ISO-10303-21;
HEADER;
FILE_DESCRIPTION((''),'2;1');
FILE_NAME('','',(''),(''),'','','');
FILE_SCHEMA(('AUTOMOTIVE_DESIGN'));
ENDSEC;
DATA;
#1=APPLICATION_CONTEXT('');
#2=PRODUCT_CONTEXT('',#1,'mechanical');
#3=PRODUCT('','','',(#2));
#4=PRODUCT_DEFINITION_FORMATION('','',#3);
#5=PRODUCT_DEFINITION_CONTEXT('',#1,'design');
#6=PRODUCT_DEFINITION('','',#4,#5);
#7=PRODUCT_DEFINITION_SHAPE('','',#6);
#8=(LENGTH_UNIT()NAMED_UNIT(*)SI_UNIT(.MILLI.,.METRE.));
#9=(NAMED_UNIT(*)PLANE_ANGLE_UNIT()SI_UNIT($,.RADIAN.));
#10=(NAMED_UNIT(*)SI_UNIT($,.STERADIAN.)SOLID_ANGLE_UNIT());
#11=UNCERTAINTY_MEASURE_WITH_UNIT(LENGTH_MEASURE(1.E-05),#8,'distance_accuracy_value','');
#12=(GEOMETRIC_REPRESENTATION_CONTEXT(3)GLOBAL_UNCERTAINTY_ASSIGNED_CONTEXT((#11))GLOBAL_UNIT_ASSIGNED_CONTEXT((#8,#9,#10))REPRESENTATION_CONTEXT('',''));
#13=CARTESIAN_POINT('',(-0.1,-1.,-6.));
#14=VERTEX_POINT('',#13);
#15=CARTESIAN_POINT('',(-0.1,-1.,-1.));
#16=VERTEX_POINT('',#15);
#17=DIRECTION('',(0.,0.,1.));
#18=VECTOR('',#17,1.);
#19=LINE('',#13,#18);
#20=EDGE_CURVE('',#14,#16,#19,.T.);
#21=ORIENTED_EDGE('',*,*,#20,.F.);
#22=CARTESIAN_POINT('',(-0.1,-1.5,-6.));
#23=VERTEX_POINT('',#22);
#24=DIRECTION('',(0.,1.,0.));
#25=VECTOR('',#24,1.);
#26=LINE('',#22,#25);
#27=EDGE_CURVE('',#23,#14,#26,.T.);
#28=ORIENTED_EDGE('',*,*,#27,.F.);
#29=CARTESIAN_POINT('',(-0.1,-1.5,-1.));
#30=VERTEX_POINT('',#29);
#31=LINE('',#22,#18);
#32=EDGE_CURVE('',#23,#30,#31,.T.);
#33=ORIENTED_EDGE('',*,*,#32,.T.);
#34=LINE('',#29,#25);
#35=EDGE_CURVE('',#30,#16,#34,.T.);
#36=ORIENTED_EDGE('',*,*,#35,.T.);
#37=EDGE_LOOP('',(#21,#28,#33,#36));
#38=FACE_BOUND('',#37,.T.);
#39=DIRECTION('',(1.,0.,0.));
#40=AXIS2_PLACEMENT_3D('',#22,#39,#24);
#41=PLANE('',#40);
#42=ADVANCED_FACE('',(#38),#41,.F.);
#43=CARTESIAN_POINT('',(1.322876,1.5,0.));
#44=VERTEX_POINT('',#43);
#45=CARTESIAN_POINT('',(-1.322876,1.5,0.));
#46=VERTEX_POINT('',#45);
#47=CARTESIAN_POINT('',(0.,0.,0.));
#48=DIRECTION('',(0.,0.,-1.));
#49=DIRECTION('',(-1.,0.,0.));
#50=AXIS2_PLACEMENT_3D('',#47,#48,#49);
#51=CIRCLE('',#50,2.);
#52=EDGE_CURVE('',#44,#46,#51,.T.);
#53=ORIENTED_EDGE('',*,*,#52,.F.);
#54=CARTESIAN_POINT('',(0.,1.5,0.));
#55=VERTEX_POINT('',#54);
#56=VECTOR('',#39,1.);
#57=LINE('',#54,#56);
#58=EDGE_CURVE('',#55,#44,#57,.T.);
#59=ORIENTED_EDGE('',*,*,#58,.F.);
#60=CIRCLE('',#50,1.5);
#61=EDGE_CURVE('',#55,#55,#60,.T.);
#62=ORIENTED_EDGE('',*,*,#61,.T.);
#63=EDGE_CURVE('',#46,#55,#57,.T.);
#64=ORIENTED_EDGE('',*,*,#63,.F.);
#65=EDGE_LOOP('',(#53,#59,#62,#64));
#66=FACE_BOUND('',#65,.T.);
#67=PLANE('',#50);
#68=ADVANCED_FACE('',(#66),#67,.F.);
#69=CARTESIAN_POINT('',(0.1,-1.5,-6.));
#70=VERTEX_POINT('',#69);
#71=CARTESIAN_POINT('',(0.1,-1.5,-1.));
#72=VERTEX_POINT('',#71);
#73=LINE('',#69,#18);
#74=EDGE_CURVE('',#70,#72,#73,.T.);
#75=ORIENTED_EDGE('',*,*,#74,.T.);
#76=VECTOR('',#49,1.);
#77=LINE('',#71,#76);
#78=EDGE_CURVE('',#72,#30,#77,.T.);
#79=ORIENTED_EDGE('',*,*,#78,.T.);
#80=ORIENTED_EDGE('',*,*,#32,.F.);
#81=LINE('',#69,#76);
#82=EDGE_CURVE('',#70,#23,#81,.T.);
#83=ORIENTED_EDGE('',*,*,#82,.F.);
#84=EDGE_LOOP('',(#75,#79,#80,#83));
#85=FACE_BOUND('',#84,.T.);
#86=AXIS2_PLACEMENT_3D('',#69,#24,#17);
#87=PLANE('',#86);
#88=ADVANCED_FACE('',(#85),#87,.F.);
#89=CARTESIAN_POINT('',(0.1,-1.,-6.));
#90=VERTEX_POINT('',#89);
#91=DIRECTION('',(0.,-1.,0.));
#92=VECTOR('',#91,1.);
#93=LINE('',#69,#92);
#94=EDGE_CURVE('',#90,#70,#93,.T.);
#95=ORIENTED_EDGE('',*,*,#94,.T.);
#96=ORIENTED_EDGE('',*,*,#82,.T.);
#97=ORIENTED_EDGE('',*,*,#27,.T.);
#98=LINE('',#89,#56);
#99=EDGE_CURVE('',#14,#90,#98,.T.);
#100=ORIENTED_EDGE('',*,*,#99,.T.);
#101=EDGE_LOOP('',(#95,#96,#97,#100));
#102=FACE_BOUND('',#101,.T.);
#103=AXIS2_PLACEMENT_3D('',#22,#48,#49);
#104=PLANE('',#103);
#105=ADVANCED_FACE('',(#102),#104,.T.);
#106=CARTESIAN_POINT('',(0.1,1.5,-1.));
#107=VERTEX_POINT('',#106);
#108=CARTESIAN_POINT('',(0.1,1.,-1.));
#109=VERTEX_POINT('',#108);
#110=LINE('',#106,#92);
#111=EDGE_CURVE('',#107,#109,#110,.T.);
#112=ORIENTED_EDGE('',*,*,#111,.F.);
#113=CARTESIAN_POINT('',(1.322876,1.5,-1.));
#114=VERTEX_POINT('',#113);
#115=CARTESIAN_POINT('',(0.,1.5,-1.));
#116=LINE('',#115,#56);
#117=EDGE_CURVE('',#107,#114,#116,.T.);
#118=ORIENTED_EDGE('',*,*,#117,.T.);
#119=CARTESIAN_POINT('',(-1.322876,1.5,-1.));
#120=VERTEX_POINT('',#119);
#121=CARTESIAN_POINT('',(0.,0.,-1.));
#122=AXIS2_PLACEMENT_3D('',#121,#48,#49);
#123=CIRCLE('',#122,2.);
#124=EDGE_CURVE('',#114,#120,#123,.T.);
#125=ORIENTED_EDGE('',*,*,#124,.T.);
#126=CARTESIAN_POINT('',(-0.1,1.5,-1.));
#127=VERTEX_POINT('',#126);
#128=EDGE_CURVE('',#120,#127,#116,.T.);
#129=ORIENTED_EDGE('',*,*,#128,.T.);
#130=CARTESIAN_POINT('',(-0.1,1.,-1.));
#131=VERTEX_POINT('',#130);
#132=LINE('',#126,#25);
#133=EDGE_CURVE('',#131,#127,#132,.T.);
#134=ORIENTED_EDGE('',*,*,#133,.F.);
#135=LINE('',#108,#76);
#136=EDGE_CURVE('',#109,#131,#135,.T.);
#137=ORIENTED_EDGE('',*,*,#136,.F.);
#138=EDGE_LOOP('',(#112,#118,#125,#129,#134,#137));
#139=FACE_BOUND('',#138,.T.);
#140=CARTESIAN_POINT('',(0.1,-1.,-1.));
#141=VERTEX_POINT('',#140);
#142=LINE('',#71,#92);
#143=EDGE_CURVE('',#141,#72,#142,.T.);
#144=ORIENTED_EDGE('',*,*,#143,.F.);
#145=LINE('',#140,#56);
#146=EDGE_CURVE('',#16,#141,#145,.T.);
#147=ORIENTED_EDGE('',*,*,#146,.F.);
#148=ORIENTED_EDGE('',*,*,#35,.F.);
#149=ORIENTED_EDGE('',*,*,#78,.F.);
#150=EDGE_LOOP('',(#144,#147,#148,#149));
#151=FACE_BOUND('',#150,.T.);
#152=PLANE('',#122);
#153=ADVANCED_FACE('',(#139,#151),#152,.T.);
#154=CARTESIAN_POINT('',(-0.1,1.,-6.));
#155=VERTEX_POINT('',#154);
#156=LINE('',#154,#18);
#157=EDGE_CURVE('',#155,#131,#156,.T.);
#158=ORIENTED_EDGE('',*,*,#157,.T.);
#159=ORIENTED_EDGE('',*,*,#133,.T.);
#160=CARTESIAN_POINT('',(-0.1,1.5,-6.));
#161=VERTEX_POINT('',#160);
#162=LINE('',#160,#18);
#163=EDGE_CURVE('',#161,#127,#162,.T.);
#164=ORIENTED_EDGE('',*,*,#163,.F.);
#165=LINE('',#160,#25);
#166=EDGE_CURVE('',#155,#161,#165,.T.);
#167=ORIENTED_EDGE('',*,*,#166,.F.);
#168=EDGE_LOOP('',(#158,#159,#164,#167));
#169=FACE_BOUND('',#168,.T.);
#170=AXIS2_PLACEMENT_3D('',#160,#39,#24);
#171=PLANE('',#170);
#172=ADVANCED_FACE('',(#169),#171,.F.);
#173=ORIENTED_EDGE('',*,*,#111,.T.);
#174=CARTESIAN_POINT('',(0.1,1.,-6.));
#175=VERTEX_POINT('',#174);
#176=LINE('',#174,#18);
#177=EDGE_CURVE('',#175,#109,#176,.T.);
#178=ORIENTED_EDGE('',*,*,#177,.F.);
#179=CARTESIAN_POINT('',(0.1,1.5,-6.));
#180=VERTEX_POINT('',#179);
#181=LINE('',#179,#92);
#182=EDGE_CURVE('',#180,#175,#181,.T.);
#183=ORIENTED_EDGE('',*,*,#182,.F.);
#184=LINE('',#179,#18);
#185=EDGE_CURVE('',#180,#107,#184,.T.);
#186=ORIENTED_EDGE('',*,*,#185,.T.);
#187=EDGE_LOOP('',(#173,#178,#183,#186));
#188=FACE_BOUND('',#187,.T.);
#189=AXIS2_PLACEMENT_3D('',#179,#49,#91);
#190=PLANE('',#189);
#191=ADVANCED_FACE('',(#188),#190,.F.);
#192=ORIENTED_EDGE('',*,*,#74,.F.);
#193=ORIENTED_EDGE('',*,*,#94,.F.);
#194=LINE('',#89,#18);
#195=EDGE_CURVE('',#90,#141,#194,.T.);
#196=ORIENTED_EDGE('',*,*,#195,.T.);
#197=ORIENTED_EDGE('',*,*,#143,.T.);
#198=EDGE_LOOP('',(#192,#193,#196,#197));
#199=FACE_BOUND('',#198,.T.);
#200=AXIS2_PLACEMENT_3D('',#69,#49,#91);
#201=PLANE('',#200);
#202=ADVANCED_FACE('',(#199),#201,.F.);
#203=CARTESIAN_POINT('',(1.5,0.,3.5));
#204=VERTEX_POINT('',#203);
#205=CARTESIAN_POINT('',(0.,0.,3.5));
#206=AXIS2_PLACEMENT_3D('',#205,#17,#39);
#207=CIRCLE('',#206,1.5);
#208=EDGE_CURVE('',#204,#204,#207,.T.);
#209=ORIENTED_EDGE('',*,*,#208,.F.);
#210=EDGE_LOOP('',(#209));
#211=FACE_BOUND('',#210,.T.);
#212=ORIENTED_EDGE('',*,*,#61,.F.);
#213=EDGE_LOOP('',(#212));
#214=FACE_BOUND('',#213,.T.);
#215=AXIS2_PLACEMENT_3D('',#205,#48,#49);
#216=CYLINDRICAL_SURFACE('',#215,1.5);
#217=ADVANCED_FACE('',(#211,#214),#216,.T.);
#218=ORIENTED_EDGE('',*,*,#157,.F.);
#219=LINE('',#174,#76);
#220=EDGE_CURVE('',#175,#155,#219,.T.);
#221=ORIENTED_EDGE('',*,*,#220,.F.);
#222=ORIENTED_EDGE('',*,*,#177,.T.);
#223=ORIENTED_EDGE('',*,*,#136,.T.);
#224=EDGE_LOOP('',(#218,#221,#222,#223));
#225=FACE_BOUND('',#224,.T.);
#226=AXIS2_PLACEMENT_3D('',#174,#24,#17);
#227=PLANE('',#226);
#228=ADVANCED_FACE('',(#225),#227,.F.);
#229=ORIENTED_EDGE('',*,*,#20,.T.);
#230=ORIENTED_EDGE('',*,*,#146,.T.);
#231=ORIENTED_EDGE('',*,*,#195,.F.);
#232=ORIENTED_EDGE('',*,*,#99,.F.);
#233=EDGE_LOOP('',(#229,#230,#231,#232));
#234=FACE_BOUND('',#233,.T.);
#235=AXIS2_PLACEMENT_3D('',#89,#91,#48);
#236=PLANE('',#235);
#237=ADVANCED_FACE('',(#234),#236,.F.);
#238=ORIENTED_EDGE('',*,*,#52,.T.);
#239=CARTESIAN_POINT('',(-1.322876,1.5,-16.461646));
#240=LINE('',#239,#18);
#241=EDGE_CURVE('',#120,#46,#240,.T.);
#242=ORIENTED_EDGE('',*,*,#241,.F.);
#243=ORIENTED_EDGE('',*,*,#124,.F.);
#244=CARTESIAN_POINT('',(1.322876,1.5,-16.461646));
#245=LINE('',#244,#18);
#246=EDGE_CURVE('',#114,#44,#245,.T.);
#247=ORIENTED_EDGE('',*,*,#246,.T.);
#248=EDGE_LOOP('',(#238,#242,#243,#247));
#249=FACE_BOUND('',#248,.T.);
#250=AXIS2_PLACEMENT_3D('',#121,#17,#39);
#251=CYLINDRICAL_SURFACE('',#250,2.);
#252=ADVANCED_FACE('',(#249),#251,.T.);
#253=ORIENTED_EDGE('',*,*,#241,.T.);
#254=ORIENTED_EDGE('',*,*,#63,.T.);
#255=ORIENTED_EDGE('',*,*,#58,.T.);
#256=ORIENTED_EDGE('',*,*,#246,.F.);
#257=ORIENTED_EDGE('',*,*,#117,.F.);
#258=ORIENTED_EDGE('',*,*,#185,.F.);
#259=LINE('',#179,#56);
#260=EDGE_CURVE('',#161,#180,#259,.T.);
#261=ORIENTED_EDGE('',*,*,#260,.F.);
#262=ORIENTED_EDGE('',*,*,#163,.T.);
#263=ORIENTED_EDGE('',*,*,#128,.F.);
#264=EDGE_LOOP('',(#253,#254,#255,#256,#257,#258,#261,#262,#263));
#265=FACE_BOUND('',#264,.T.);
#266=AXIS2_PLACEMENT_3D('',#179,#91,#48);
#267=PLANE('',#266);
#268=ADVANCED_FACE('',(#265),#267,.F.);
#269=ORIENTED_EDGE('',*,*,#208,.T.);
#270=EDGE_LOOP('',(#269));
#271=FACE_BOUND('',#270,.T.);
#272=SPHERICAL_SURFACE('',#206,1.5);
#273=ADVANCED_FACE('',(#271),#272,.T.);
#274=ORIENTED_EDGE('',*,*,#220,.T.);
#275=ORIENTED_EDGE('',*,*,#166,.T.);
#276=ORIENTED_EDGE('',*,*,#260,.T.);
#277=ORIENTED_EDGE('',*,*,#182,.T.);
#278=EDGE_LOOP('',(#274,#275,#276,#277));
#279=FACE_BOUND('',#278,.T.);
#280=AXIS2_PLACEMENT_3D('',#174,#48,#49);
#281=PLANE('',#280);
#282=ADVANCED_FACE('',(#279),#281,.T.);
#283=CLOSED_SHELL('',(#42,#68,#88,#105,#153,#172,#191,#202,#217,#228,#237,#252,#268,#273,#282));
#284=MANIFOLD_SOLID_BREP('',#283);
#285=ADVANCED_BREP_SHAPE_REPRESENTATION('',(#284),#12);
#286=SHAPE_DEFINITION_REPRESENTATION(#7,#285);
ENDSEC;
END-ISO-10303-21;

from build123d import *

# Parameters (mm, degrees)
SKETCH1_R               = 1.5
BASE_EXTRUDE_DEPTH      = 3.5
DOME1_FACE_RADIUS       = 1.5
DOME1_HEIGHT            = 1.5
SKETCH2_R               = 2
BOSS_EXTRUDE1_DEPTH     = 1
SKETCH3_W               = 0.2
SKETCH3_H               = 0.5
BOSS_EXTRUDE2_DEPTH     = 5
CUT_EXTRUDE1_DEPTH      = 6
CUT_EXTRUDE1_DEPTH_BACK = 7


with BuildPart() as part:
    # Sketch1 → Base-Extrude (new body)
    with BuildSketch(Plane.XY):
        Circle(SKETCH1_R)
    extrude(amount=BASE_EXTRUDE_DEPTH)

    # Dome1: a dome of height H over a round flat face of radius A is a cap of a sphere of radius (A * A + H * H) / (2 * H)
    dome1_r = (DOME1_FACE_RADIUS * DOME1_FACE_RADIUS + DOME1_HEIGHT * DOME1_HEIGHT) / (2 * DOME1_HEIGHT)
    dome1_base = Plane((0, 0, 3.5), z_dir=(0, 0, 1))
    with Locations(dome1_base.offset(DOME1_HEIGHT - dome1_r)):
        dome1_ball = Sphere(dome1_r, mode=Mode.PRIVATE)
    add(split(dome1_ball, bisect_by=dome1_base, keep=Keep.TOP, mode=Mode.PRIVATE))

    # Sketch2 → Boss-Extrude1 (add)
    with BuildSketch(Plane(origin=(0, 0, 0), x_dir=(-1, 0, 0), z_dir=(0, 0, -1))):
        Circle(SKETCH2_R)
    extrude(amount=BOSS_EXTRUDE1_DEPTH)

    # Sketch3 → Boss-Extrude2 (add)
    with BuildSketch(Plane(origin=(0, 0, -1), x_dir=(-1, 0, 0), z_dir=(0, 0, -1))):
        with Locations((0, 1.25)):
            Rectangle(SKETCH3_W, SKETCH3_H)
        with Locations((0, -1.25)):
            Rectangle(SKETCH3_W, SKETCH3_H)
    extrude(amount=BOSS_EXTRUDE2_DEPTH)

    # Sketch5 → Cut-Extrude1 (cut, two sides)
    with BuildSketch(Plane(origin=(0, 0, -1), x_dir=(-1, 0, 0), z_dir=(0, 0, -1))) as cut_extrude1_sk:
        Polygon((-20.975129822, 1.5), (-1.322875656, 1.5), (1.322875656, 1.5), (20.975129822, 1.5), (20.975129822, 40.804508332), (-20.975129822, 40.804508332), align=None)
    extrude(amount=CUT_EXTRUDE1_DEPTH, mode=Mode.SUBTRACT)
    extrude(cut_extrude1_sk.sketch, amount=-CUT_EXTRUDE1_DEPTH_BACK, mode=Mode.SUBTRACT)


solid = part.part
